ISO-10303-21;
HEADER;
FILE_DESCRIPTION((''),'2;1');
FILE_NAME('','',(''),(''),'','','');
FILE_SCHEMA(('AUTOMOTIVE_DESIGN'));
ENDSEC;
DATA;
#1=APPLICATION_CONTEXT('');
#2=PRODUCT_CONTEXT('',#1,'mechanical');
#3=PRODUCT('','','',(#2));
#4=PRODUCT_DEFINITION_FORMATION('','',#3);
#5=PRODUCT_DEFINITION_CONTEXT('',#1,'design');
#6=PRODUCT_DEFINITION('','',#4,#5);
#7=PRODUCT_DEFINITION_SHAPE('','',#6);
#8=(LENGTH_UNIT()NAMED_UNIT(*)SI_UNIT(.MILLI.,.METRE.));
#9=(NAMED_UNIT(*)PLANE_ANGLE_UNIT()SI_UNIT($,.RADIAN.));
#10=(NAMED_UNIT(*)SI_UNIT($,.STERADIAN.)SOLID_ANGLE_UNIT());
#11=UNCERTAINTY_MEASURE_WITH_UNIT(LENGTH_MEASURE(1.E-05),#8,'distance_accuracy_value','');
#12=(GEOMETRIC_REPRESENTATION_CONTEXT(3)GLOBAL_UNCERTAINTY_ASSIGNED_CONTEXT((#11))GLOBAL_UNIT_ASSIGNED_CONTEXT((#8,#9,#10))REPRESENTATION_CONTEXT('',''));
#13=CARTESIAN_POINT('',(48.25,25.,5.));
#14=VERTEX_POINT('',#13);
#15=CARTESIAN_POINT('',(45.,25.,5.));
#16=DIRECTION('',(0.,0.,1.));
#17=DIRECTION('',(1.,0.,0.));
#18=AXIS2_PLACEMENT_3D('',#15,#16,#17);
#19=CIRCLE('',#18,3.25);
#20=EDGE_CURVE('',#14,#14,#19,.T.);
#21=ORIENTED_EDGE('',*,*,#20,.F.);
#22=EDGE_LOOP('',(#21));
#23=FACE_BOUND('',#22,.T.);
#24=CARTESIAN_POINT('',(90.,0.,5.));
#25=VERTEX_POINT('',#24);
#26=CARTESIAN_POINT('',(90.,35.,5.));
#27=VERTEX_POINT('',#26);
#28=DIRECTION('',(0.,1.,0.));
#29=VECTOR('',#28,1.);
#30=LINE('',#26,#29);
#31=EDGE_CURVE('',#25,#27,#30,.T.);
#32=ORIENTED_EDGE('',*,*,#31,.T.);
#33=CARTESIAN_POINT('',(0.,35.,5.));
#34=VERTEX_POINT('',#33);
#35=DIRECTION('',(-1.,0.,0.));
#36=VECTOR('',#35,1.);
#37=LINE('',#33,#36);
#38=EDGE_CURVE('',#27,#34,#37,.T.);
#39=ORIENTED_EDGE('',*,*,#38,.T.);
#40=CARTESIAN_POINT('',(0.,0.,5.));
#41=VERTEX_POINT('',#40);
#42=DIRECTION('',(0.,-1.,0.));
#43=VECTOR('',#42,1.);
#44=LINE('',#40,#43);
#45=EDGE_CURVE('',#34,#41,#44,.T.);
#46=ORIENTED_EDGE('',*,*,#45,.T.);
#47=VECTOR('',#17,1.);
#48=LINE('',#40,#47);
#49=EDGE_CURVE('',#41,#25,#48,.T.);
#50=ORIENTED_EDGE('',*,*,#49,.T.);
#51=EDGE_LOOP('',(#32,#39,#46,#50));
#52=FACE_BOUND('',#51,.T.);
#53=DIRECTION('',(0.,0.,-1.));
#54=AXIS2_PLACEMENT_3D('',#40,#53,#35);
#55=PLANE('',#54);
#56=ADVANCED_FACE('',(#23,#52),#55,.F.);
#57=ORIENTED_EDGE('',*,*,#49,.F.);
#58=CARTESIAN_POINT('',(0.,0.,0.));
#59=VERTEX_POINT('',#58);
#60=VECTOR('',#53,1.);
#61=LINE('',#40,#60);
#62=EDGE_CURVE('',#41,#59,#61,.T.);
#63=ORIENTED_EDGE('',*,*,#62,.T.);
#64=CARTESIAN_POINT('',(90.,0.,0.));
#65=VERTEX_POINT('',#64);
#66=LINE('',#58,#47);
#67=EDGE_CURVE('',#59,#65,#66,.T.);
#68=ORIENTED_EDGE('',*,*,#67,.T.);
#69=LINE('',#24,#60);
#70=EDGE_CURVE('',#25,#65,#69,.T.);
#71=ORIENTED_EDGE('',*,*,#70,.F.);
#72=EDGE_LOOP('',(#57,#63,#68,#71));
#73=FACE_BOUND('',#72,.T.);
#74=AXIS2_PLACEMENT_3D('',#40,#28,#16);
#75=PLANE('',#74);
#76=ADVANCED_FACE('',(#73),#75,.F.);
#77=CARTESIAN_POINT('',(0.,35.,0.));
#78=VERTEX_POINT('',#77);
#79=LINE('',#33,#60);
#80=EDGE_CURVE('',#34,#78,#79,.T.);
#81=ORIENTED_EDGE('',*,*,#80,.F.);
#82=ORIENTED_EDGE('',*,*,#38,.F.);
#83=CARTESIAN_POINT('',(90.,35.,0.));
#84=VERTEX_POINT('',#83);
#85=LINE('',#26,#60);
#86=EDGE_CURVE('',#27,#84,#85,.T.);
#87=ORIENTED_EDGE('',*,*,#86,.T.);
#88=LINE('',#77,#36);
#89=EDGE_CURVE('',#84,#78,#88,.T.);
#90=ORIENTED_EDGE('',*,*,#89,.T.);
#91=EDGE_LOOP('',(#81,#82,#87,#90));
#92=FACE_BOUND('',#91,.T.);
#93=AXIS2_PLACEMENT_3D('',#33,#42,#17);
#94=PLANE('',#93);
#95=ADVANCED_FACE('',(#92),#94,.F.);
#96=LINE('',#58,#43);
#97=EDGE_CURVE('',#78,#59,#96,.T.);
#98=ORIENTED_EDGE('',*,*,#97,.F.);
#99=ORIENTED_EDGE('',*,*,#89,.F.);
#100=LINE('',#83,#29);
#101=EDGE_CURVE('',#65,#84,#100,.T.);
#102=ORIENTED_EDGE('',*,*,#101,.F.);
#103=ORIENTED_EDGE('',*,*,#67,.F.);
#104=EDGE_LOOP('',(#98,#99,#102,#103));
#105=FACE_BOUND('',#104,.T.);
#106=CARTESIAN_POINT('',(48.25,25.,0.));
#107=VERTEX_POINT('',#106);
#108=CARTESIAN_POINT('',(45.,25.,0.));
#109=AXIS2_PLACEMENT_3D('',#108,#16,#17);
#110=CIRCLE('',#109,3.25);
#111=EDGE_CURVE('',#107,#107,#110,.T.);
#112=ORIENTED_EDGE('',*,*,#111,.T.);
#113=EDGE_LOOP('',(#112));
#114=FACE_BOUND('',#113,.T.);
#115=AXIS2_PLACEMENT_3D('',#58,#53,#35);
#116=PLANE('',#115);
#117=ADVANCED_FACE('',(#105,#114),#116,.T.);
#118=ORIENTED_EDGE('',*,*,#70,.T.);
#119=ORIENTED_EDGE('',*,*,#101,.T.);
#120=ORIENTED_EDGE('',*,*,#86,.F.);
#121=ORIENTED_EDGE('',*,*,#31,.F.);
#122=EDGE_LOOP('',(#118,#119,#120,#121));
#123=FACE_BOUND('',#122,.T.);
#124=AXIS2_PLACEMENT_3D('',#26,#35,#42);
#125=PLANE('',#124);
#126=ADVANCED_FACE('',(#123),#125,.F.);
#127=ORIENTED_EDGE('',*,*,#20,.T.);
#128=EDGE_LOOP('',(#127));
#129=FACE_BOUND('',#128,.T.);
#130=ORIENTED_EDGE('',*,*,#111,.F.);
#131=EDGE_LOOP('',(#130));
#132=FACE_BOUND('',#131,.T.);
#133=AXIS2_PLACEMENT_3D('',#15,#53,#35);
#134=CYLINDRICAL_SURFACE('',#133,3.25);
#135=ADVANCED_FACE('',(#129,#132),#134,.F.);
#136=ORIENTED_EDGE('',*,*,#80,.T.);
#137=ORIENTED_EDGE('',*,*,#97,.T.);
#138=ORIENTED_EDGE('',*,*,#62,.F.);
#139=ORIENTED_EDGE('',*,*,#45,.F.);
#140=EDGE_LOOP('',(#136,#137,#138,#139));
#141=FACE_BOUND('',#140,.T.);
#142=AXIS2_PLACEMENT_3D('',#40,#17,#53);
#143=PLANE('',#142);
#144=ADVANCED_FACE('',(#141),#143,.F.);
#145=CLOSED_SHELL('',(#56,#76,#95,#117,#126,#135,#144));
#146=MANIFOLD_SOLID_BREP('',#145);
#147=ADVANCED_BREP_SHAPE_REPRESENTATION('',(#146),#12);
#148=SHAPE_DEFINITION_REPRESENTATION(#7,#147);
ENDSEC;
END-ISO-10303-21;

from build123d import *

# Parameters (mm, degrees)
SKETCH_1_W      = 90
SKETCH_1_H      = 35
SKETCH_1_R      = 3.25
EXTRUDE_1_DEPTH = 5


with BuildPart() as part:
    # 草图1 → 凸台-拉伸1 (new body)
    with BuildSketch(Plane.XY):
        with Locations((45, 17.5)):
            Rectangle(SKETCH_1_W, SKETCH_1_H)
        with Locations((45, 25)):
            Circle(SKETCH_1_R, mode=Mode.SUBTRACT)
    extrude(amount=EXTRUDE_1_DEPTH)


solid = part.part
